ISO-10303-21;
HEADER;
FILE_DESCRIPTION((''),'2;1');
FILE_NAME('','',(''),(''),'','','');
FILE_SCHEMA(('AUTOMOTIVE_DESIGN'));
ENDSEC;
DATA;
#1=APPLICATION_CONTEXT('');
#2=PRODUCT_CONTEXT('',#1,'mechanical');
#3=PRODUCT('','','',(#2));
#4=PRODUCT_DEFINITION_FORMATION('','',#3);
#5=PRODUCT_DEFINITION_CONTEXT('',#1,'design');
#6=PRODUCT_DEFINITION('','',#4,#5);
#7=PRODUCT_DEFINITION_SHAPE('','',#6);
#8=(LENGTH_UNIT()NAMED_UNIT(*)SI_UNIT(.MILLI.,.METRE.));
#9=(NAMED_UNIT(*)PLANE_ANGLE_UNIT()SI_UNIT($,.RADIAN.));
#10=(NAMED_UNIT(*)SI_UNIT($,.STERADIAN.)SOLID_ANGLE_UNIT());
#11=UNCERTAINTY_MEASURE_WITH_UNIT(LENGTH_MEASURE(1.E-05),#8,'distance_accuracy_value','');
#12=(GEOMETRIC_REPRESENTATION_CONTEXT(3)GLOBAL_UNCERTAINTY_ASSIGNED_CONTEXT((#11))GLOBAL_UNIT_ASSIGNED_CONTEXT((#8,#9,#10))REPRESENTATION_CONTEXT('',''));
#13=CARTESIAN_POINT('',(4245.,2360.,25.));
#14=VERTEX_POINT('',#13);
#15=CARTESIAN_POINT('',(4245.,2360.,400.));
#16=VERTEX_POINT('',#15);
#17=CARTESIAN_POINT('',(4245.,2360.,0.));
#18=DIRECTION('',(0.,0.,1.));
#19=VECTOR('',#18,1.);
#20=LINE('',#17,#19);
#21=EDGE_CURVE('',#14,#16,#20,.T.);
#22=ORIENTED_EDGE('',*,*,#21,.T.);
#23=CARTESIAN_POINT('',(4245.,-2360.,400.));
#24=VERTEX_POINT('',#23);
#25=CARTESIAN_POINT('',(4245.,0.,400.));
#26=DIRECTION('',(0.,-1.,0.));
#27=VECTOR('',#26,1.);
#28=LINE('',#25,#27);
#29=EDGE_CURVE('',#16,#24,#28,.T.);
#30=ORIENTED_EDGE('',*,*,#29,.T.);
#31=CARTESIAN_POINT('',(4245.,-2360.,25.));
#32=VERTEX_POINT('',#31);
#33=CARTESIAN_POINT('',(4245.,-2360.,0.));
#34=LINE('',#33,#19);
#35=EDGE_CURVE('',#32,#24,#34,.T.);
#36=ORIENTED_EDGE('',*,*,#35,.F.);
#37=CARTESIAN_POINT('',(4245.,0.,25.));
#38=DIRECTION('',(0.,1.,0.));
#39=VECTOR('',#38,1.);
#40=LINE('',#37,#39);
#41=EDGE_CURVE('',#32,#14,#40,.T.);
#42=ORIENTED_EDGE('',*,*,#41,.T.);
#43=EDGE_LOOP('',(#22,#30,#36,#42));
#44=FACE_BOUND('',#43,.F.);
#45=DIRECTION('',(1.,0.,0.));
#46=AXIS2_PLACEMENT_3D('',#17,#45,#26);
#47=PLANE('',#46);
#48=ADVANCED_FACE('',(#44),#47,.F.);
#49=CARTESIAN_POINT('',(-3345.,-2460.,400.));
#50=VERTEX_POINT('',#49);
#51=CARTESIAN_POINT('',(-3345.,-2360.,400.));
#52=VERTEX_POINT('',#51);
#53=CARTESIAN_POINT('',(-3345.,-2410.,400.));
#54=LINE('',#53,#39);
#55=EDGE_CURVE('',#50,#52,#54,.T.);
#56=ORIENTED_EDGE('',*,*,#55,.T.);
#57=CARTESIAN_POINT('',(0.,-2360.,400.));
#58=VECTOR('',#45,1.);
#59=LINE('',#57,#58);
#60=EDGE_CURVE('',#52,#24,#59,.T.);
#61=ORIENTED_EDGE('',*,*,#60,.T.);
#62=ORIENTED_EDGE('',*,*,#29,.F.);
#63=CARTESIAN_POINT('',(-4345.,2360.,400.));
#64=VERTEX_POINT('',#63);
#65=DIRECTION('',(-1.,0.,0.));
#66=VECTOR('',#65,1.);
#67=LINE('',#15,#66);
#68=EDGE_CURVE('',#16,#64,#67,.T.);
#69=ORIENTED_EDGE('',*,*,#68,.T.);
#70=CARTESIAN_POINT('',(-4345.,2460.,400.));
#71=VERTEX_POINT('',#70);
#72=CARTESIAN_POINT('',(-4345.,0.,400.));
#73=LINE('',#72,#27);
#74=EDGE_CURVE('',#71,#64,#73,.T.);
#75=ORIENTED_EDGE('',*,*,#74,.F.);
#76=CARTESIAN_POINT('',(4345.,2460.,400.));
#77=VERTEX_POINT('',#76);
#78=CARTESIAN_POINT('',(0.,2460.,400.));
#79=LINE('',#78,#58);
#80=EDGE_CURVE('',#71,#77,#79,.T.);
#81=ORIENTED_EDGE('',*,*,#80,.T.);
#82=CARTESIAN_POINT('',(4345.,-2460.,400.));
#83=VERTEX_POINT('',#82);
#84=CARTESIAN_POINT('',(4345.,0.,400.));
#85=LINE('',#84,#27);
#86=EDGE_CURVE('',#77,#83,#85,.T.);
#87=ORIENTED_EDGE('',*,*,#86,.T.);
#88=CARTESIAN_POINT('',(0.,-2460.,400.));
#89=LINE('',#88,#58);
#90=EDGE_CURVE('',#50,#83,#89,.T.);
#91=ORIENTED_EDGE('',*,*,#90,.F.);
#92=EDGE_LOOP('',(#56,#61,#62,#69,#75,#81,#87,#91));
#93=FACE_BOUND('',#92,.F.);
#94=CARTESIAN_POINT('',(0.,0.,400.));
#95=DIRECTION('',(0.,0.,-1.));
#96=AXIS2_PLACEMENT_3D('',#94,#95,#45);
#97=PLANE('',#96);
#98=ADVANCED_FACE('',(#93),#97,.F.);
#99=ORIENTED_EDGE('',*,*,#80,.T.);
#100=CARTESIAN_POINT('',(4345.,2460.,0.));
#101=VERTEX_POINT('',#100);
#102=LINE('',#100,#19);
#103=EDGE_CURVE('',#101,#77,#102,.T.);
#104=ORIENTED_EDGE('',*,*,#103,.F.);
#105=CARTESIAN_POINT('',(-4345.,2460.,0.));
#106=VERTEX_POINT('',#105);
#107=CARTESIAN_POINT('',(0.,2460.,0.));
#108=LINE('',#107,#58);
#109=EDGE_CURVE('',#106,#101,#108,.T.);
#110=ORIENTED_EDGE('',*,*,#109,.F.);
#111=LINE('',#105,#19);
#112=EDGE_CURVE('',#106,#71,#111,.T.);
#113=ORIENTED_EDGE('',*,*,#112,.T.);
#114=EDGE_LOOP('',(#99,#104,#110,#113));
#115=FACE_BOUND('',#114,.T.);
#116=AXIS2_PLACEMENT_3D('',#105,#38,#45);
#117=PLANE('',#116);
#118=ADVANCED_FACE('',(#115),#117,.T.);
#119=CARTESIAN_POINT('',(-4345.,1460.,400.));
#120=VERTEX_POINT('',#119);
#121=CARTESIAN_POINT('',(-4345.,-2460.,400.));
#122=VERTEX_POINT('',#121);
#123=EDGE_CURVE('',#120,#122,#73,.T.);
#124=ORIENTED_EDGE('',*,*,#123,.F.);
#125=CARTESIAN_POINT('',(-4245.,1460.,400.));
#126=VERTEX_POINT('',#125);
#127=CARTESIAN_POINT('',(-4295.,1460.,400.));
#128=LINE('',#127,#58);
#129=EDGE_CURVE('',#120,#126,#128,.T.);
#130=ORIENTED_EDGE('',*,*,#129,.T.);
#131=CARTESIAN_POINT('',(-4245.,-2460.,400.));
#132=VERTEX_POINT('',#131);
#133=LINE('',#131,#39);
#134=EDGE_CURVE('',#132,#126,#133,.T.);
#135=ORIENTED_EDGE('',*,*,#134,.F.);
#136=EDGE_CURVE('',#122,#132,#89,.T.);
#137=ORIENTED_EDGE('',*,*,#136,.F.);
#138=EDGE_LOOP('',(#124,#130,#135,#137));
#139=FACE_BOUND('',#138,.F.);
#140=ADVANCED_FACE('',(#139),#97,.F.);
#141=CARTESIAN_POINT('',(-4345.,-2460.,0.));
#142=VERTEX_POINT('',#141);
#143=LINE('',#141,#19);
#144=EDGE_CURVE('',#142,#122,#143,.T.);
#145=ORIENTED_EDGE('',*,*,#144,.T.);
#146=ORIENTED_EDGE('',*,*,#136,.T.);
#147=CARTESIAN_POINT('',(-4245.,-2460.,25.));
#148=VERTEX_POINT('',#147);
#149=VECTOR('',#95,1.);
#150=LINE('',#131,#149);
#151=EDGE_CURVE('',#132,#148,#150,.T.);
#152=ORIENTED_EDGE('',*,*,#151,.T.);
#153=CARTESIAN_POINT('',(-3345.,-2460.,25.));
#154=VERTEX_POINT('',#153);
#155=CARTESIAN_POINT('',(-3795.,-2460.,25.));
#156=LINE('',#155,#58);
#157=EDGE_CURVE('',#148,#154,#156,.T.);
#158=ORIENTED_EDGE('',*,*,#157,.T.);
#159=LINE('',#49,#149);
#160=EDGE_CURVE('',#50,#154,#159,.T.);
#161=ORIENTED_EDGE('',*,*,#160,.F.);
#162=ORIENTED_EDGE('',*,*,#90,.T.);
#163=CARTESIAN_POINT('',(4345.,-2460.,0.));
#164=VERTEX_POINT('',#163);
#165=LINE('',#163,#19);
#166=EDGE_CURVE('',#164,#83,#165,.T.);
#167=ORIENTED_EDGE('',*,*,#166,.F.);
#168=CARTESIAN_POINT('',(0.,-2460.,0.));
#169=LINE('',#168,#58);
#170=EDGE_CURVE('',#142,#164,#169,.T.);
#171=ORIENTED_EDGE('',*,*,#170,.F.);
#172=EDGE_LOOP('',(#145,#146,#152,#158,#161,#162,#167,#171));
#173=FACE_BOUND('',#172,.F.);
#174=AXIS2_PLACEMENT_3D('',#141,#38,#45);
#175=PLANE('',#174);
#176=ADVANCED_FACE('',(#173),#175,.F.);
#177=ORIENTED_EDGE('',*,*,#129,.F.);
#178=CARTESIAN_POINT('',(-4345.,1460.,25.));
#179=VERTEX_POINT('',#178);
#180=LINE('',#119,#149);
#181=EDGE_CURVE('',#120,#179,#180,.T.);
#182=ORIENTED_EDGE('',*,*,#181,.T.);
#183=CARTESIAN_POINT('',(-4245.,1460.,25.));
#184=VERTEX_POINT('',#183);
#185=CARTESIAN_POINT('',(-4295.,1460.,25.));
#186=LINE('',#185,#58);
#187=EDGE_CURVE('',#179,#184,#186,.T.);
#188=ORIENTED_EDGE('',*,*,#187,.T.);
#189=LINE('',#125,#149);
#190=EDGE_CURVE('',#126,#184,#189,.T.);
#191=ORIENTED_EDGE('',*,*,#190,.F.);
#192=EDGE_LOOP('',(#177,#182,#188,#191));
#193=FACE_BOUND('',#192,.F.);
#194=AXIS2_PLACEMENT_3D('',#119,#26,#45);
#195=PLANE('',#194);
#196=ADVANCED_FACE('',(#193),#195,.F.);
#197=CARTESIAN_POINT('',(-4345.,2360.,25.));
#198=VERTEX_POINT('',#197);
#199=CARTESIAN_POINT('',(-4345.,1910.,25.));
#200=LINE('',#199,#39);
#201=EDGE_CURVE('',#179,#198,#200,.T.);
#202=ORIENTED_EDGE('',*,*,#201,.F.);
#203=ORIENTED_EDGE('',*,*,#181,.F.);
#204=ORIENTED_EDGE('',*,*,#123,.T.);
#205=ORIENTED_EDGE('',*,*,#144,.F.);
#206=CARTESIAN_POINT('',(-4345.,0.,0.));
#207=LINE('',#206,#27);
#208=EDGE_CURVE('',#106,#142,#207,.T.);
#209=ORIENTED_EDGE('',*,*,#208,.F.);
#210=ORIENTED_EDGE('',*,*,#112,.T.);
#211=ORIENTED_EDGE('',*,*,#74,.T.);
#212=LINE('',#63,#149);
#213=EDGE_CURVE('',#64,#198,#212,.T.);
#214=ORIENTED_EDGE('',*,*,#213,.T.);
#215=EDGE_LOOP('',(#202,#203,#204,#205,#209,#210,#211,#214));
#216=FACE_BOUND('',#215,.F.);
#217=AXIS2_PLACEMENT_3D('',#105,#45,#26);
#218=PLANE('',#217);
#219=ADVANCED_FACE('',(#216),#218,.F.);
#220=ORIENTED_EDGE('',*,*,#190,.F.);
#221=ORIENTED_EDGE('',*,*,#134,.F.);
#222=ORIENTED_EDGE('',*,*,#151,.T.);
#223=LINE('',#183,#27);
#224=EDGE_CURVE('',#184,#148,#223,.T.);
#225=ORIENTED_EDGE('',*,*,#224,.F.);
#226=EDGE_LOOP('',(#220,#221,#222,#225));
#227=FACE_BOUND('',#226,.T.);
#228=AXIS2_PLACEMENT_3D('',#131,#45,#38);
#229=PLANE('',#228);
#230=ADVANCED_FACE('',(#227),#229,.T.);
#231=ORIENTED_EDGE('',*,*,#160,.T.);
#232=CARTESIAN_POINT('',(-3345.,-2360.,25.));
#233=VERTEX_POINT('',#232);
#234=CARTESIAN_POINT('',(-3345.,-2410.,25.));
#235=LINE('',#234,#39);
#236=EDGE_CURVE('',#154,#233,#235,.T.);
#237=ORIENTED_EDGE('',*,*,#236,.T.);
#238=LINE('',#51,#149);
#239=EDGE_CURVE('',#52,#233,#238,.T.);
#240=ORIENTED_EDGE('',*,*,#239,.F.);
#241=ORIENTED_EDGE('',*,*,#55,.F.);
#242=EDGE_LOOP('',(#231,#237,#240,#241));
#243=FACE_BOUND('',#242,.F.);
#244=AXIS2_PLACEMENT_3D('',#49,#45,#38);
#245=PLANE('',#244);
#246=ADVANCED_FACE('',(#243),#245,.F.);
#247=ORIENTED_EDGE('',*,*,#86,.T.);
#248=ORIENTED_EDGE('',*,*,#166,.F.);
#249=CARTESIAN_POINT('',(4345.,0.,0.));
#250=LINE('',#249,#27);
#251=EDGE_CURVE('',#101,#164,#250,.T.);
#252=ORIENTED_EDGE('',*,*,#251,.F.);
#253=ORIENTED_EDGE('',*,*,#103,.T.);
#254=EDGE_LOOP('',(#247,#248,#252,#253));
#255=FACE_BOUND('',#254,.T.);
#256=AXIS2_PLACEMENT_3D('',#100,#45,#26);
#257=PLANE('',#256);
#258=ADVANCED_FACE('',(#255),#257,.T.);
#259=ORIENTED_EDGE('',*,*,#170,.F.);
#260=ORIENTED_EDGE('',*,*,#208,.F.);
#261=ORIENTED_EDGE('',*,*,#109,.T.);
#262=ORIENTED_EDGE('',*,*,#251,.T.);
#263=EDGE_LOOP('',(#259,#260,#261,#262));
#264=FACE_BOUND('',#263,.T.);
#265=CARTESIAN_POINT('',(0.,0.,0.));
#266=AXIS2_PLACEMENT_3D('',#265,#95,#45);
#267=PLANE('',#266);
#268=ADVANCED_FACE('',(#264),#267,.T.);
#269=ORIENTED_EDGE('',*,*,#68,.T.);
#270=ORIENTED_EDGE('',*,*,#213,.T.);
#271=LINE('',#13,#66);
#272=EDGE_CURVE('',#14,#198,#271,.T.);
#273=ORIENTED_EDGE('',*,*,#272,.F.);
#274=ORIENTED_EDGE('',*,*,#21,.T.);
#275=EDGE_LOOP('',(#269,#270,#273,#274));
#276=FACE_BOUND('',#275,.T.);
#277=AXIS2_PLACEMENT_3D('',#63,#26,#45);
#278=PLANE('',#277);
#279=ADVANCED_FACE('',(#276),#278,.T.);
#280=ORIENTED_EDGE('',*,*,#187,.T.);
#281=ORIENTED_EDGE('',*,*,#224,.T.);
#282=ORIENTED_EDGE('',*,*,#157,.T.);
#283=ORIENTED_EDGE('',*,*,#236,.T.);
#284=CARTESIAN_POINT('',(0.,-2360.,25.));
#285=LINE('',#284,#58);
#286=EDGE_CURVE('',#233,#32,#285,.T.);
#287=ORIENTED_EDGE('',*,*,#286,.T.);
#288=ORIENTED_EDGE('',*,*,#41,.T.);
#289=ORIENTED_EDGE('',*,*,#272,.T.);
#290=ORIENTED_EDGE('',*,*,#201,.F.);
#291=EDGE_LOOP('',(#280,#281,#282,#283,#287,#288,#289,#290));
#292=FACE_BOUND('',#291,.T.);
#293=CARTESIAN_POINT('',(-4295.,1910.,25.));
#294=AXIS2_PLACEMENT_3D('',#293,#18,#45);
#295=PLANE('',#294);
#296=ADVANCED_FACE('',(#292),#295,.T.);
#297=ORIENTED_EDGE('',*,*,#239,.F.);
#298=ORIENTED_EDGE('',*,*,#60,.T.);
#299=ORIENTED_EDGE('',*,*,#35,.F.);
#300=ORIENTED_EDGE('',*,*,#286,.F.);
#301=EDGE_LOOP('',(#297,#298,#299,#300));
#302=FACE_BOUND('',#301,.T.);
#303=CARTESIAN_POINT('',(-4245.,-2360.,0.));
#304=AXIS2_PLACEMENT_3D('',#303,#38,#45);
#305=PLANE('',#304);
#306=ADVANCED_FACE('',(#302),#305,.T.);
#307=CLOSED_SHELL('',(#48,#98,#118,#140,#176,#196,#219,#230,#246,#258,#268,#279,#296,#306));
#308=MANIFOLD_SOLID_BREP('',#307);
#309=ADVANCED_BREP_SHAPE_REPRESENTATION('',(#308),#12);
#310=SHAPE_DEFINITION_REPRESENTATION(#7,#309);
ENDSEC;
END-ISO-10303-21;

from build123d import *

# Parameters (mm, degrees)
F0_W     = 8490
F0_H     = 4720
F1_DEPTH = 25
F2_W     = 8690
F2_H     = 4920
F2_W_2   = 8490
F2_H_2   = 4720
F3_DEPTH = 400
F4_W     = 100
F4_H     = 900
F4_W_2   = 900
F4_H_2   = 100
F5_DEPTH = 375


with BuildPart() as f1:
    # F0 (on Top) → F1 (new body)
    with BuildSketch(Plane.XY):
        Rectangle(F0_W, F0_H)
    extrude(amount=F1_DEPTH)

    # F2 (on face) → F3 (join)
    with BuildSketch(Plane(origin=(0, 0, 0), x_dir=(1, 0, 0), z_dir=(0, 0, -1))):
        Rectangle(F2_W, F2_H)
        Rectangle(F2_W_2, F2_H_2, mode=Mode.SUBTRACT)
    extrude(amount=-F3_DEPTH)

    # F4 (on face) → F5 (cut, through all)
    with BuildSketch(Plane.XY.offset(400)):
        with Locations((-4295, 1910)):
            Rectangle(F4_W, F4_H)
        with Locations((-3795, -2410)):
            Rectangle(F4_W_2, F4_H_2)
    extrude(amount=-F5_DEPTH, mode=Mode.SUBTRACT)


solid = f1.part
